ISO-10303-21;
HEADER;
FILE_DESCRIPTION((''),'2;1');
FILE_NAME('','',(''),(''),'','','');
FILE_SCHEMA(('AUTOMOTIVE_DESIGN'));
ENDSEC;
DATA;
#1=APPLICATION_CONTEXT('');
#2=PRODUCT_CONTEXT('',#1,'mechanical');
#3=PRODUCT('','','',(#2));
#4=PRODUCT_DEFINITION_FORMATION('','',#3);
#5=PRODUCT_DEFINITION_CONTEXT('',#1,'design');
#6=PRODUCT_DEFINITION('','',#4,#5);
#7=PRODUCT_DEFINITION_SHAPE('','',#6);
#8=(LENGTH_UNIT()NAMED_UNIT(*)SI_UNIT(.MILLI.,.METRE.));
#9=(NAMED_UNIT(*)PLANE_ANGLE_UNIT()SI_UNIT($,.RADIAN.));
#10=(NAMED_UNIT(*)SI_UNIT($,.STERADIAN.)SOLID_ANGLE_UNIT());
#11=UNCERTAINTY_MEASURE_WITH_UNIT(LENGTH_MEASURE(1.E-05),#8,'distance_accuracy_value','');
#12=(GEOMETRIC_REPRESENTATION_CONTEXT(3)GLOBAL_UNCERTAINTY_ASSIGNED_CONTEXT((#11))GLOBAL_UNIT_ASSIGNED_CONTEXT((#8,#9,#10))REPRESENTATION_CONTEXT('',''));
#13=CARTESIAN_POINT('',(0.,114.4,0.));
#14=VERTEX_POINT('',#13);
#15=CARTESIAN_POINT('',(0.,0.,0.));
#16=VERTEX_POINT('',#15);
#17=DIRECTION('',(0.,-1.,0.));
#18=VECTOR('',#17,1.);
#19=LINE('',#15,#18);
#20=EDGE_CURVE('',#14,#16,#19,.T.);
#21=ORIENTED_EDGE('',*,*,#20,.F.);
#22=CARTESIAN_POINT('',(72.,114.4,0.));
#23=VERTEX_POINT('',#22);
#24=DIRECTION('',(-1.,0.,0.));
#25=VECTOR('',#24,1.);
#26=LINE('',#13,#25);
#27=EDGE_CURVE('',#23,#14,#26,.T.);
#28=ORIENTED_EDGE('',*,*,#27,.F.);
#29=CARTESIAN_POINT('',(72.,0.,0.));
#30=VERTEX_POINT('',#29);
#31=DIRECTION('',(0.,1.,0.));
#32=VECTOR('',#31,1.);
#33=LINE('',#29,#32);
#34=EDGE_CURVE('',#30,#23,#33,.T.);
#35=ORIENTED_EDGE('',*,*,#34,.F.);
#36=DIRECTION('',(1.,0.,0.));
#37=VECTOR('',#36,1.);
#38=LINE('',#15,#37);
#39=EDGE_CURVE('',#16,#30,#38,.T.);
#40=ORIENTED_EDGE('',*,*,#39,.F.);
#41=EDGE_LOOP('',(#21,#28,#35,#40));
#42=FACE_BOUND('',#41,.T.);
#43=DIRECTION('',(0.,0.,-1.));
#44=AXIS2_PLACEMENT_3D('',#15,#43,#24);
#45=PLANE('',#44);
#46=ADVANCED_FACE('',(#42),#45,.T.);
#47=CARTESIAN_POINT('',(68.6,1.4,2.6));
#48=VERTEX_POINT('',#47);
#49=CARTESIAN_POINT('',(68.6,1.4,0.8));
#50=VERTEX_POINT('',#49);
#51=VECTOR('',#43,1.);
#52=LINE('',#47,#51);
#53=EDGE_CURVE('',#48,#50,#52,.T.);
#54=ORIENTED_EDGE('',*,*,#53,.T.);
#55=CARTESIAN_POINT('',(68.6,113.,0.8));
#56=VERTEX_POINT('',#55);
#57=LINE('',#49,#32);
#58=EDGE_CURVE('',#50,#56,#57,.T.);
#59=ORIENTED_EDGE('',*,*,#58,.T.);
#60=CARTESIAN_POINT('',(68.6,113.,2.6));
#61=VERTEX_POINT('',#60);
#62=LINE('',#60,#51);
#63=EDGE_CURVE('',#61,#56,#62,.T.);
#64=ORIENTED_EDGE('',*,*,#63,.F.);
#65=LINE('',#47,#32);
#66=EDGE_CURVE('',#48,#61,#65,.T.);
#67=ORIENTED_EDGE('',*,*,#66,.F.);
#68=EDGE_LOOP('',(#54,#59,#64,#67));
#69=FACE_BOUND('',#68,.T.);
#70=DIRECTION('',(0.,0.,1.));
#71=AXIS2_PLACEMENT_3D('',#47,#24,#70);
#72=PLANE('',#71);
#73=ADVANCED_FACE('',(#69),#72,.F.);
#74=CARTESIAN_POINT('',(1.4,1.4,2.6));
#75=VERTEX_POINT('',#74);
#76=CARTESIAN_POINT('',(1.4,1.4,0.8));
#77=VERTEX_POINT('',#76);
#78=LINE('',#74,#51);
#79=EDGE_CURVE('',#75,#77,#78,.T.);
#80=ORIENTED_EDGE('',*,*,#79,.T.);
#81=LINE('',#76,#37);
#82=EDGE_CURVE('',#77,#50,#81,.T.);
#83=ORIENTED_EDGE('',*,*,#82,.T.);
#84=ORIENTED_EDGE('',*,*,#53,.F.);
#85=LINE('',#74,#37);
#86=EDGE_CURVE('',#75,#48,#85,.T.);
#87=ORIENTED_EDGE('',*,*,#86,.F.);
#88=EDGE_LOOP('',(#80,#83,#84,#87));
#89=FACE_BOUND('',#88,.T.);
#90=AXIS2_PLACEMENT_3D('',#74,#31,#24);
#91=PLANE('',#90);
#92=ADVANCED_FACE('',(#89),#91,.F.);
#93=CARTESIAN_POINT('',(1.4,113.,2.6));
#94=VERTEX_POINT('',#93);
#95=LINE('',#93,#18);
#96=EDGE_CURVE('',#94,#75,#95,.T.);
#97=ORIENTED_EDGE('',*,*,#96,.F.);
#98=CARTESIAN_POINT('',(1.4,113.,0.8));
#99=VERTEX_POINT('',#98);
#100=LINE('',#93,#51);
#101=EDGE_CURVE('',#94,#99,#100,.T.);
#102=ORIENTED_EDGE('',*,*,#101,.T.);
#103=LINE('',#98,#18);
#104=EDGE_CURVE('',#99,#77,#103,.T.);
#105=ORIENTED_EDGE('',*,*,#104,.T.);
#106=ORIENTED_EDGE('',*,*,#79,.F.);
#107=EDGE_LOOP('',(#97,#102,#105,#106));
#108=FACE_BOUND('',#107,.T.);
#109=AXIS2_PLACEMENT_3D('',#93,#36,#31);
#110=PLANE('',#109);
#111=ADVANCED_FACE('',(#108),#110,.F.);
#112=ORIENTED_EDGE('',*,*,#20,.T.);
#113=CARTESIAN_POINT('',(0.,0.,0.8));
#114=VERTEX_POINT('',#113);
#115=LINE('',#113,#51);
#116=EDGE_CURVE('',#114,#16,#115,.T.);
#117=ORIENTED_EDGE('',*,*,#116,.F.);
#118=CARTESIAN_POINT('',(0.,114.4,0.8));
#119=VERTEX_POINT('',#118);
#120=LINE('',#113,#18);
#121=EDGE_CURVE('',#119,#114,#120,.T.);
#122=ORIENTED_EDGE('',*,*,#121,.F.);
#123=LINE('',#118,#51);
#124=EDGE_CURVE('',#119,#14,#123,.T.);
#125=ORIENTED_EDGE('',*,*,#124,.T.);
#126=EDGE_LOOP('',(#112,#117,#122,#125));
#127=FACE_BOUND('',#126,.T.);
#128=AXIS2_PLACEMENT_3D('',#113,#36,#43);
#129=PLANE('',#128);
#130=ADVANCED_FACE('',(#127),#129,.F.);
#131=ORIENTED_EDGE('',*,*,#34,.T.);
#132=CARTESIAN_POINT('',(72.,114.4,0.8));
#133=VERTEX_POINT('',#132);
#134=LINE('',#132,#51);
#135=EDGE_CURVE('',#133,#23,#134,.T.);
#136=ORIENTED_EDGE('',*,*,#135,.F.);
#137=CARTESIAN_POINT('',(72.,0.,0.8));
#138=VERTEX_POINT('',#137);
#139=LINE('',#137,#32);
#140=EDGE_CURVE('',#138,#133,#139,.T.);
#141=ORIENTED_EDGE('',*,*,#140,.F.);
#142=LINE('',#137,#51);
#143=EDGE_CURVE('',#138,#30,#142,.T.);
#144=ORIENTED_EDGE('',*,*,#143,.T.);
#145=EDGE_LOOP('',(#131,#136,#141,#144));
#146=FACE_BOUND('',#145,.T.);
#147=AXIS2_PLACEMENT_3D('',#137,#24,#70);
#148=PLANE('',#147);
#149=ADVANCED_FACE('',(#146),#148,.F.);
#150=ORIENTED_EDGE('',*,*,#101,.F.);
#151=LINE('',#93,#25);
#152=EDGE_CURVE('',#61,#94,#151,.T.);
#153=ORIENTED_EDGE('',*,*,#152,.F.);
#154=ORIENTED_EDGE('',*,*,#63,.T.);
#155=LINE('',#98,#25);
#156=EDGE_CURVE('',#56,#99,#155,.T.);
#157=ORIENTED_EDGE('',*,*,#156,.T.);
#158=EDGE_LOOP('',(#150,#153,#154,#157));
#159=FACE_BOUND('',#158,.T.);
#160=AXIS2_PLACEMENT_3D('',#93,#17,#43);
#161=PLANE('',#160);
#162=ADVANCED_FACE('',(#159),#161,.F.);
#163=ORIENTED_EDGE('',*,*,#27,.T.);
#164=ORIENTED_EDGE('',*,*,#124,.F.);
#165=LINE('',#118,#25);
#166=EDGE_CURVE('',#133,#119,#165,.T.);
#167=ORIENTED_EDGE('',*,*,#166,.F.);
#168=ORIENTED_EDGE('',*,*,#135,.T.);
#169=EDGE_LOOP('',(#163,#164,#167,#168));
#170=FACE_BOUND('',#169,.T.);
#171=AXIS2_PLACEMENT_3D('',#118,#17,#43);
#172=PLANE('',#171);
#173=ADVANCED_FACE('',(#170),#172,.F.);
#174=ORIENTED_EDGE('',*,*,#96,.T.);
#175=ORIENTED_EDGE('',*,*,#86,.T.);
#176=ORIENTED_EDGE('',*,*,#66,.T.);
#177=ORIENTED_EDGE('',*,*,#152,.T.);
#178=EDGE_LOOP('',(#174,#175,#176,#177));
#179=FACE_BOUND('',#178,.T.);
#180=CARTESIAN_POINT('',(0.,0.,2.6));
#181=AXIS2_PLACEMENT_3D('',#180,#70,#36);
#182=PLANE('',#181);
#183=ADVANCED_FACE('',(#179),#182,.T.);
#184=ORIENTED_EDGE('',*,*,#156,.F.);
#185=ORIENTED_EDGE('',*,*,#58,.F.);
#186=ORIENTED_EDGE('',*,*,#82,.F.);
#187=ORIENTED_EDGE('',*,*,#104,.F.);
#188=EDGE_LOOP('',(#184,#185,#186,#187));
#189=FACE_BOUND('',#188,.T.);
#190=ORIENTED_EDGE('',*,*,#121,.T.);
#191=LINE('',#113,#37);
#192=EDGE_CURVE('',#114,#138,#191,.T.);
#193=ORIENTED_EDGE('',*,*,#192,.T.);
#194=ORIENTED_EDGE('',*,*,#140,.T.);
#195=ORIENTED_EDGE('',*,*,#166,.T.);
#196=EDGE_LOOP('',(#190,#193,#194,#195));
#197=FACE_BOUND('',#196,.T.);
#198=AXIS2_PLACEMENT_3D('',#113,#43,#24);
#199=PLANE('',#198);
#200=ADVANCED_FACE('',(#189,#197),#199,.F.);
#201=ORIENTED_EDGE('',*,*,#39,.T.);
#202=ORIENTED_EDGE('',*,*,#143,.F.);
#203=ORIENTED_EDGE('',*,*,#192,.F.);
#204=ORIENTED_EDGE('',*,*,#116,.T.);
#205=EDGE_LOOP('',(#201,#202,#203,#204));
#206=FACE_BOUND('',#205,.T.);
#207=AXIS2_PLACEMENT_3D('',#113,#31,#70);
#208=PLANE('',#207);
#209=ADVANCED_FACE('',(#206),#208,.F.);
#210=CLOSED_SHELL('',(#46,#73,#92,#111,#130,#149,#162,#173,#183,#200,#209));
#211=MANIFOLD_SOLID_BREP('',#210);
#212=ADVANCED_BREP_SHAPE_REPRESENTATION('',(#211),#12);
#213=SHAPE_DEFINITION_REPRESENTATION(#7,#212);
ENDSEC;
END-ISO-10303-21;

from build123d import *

# Parameters (mm, degrees)
SKICA1_W                = 72
SKICA1_H                = 114.4
P_IDAT_VYSUNUT_M1_DEPTH = 0.8
SKICA2_W                = 67.2
SKICA2_H                = 111.6
P_IDAT_VYSUNUT_M2_DEPTH = 1.8


with BuildPart() as part:
    # Skica1 → Přidat vysunutím1 (new body)
    with BuildSketch(Plane.XY):
        with Locations((36, 57.2)):
            Rectangle(SKICA1_W, SKICA1_H)
    extrude(amount=P_IDAT_VYSUNUT_M1_DEPTH)

    # Skica2 → Přidat vysunutím2 (add)
    with BuildSketch(Plane.XY.offset(0.8)):
        with Locations((35, 57.2)):
            Rectangle(SKICA2_W, SKICA2_H)
    extrude(amount=P_IDAT_VYSUNUT_M2_DEPTH)


solid = part.part
